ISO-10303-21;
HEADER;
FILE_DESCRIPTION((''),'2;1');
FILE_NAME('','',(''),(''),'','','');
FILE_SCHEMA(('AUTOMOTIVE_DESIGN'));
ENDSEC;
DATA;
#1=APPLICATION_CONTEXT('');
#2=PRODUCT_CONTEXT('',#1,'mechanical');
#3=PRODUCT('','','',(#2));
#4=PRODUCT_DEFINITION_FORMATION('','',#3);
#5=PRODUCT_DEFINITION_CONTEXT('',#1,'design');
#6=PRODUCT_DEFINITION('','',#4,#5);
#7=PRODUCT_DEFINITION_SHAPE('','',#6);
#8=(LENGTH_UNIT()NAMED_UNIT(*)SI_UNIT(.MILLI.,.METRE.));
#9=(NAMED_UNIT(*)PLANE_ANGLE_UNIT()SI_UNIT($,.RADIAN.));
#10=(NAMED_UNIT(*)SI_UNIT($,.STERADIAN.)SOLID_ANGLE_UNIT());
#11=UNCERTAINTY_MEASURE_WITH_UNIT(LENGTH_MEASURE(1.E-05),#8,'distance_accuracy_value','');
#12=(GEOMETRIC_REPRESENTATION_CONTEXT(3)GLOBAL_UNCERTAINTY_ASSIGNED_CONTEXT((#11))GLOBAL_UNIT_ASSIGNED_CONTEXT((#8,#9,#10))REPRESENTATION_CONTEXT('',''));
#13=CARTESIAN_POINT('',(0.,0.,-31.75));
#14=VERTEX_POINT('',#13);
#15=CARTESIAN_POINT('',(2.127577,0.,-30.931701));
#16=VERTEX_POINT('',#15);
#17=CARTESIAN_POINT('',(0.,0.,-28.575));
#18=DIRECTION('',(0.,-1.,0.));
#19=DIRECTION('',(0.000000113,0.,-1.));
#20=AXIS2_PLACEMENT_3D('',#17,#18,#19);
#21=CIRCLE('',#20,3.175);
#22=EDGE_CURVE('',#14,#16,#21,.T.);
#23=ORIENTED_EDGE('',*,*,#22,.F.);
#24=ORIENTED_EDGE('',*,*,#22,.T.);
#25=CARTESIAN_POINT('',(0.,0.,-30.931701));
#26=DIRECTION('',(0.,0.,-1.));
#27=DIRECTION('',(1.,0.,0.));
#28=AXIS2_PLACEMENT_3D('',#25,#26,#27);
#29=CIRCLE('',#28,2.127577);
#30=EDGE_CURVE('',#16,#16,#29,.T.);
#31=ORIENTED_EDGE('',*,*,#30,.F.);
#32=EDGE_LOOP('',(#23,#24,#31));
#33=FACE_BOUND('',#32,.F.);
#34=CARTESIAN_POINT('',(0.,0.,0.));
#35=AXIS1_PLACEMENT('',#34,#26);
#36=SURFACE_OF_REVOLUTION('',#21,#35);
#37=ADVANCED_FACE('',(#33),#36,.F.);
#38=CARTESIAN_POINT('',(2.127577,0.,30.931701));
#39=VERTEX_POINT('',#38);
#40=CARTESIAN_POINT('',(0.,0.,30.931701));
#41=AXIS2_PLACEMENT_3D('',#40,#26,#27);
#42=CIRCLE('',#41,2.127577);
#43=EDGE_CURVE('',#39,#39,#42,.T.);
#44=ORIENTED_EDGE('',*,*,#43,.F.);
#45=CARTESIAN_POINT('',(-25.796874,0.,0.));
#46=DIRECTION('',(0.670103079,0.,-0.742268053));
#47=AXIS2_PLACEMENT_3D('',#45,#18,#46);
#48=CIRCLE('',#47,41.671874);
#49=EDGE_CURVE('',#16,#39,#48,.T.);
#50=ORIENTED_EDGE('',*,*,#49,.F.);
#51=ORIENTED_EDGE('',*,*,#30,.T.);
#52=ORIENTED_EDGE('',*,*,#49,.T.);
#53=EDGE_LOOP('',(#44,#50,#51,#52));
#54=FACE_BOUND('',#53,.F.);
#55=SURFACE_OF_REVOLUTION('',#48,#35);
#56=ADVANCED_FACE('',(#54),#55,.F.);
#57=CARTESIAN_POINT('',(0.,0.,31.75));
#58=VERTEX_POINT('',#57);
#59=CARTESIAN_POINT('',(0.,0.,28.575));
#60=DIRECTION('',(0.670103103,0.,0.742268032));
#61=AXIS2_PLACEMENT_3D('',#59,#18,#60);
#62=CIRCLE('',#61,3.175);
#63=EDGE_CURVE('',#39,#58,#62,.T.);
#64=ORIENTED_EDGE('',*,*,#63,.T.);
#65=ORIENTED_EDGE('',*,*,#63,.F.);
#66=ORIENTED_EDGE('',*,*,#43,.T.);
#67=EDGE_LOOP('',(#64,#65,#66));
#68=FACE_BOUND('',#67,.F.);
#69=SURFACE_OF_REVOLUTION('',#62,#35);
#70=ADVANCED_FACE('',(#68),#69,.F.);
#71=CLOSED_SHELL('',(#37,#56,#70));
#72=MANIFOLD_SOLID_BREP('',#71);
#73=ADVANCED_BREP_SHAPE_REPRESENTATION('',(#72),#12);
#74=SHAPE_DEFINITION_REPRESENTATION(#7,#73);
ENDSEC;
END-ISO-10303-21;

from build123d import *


with BuildPart() as f1:
    # F0 (on Front) → F1 (revolve)
    with BuildSketch(Plane.XZ):
        with BuildLine():
            ThreePointArc((2.127577, 30.931701), (1.139759, 31.538372), (0, 31.75))
            Line((0, 31.75), (0, -31.75))
            ThreePointArc((0, -31.75), (1.139759, -31.538372), (2.127577, -30.931701))
            ThreePointArc((2.127577, -30.931701), (15.875, 0), (2.127577, 30.931701))
        make_face()
    revolve(axis=Axis((0, 0, 0), (0, 0, -1)))


solid = f1.part
